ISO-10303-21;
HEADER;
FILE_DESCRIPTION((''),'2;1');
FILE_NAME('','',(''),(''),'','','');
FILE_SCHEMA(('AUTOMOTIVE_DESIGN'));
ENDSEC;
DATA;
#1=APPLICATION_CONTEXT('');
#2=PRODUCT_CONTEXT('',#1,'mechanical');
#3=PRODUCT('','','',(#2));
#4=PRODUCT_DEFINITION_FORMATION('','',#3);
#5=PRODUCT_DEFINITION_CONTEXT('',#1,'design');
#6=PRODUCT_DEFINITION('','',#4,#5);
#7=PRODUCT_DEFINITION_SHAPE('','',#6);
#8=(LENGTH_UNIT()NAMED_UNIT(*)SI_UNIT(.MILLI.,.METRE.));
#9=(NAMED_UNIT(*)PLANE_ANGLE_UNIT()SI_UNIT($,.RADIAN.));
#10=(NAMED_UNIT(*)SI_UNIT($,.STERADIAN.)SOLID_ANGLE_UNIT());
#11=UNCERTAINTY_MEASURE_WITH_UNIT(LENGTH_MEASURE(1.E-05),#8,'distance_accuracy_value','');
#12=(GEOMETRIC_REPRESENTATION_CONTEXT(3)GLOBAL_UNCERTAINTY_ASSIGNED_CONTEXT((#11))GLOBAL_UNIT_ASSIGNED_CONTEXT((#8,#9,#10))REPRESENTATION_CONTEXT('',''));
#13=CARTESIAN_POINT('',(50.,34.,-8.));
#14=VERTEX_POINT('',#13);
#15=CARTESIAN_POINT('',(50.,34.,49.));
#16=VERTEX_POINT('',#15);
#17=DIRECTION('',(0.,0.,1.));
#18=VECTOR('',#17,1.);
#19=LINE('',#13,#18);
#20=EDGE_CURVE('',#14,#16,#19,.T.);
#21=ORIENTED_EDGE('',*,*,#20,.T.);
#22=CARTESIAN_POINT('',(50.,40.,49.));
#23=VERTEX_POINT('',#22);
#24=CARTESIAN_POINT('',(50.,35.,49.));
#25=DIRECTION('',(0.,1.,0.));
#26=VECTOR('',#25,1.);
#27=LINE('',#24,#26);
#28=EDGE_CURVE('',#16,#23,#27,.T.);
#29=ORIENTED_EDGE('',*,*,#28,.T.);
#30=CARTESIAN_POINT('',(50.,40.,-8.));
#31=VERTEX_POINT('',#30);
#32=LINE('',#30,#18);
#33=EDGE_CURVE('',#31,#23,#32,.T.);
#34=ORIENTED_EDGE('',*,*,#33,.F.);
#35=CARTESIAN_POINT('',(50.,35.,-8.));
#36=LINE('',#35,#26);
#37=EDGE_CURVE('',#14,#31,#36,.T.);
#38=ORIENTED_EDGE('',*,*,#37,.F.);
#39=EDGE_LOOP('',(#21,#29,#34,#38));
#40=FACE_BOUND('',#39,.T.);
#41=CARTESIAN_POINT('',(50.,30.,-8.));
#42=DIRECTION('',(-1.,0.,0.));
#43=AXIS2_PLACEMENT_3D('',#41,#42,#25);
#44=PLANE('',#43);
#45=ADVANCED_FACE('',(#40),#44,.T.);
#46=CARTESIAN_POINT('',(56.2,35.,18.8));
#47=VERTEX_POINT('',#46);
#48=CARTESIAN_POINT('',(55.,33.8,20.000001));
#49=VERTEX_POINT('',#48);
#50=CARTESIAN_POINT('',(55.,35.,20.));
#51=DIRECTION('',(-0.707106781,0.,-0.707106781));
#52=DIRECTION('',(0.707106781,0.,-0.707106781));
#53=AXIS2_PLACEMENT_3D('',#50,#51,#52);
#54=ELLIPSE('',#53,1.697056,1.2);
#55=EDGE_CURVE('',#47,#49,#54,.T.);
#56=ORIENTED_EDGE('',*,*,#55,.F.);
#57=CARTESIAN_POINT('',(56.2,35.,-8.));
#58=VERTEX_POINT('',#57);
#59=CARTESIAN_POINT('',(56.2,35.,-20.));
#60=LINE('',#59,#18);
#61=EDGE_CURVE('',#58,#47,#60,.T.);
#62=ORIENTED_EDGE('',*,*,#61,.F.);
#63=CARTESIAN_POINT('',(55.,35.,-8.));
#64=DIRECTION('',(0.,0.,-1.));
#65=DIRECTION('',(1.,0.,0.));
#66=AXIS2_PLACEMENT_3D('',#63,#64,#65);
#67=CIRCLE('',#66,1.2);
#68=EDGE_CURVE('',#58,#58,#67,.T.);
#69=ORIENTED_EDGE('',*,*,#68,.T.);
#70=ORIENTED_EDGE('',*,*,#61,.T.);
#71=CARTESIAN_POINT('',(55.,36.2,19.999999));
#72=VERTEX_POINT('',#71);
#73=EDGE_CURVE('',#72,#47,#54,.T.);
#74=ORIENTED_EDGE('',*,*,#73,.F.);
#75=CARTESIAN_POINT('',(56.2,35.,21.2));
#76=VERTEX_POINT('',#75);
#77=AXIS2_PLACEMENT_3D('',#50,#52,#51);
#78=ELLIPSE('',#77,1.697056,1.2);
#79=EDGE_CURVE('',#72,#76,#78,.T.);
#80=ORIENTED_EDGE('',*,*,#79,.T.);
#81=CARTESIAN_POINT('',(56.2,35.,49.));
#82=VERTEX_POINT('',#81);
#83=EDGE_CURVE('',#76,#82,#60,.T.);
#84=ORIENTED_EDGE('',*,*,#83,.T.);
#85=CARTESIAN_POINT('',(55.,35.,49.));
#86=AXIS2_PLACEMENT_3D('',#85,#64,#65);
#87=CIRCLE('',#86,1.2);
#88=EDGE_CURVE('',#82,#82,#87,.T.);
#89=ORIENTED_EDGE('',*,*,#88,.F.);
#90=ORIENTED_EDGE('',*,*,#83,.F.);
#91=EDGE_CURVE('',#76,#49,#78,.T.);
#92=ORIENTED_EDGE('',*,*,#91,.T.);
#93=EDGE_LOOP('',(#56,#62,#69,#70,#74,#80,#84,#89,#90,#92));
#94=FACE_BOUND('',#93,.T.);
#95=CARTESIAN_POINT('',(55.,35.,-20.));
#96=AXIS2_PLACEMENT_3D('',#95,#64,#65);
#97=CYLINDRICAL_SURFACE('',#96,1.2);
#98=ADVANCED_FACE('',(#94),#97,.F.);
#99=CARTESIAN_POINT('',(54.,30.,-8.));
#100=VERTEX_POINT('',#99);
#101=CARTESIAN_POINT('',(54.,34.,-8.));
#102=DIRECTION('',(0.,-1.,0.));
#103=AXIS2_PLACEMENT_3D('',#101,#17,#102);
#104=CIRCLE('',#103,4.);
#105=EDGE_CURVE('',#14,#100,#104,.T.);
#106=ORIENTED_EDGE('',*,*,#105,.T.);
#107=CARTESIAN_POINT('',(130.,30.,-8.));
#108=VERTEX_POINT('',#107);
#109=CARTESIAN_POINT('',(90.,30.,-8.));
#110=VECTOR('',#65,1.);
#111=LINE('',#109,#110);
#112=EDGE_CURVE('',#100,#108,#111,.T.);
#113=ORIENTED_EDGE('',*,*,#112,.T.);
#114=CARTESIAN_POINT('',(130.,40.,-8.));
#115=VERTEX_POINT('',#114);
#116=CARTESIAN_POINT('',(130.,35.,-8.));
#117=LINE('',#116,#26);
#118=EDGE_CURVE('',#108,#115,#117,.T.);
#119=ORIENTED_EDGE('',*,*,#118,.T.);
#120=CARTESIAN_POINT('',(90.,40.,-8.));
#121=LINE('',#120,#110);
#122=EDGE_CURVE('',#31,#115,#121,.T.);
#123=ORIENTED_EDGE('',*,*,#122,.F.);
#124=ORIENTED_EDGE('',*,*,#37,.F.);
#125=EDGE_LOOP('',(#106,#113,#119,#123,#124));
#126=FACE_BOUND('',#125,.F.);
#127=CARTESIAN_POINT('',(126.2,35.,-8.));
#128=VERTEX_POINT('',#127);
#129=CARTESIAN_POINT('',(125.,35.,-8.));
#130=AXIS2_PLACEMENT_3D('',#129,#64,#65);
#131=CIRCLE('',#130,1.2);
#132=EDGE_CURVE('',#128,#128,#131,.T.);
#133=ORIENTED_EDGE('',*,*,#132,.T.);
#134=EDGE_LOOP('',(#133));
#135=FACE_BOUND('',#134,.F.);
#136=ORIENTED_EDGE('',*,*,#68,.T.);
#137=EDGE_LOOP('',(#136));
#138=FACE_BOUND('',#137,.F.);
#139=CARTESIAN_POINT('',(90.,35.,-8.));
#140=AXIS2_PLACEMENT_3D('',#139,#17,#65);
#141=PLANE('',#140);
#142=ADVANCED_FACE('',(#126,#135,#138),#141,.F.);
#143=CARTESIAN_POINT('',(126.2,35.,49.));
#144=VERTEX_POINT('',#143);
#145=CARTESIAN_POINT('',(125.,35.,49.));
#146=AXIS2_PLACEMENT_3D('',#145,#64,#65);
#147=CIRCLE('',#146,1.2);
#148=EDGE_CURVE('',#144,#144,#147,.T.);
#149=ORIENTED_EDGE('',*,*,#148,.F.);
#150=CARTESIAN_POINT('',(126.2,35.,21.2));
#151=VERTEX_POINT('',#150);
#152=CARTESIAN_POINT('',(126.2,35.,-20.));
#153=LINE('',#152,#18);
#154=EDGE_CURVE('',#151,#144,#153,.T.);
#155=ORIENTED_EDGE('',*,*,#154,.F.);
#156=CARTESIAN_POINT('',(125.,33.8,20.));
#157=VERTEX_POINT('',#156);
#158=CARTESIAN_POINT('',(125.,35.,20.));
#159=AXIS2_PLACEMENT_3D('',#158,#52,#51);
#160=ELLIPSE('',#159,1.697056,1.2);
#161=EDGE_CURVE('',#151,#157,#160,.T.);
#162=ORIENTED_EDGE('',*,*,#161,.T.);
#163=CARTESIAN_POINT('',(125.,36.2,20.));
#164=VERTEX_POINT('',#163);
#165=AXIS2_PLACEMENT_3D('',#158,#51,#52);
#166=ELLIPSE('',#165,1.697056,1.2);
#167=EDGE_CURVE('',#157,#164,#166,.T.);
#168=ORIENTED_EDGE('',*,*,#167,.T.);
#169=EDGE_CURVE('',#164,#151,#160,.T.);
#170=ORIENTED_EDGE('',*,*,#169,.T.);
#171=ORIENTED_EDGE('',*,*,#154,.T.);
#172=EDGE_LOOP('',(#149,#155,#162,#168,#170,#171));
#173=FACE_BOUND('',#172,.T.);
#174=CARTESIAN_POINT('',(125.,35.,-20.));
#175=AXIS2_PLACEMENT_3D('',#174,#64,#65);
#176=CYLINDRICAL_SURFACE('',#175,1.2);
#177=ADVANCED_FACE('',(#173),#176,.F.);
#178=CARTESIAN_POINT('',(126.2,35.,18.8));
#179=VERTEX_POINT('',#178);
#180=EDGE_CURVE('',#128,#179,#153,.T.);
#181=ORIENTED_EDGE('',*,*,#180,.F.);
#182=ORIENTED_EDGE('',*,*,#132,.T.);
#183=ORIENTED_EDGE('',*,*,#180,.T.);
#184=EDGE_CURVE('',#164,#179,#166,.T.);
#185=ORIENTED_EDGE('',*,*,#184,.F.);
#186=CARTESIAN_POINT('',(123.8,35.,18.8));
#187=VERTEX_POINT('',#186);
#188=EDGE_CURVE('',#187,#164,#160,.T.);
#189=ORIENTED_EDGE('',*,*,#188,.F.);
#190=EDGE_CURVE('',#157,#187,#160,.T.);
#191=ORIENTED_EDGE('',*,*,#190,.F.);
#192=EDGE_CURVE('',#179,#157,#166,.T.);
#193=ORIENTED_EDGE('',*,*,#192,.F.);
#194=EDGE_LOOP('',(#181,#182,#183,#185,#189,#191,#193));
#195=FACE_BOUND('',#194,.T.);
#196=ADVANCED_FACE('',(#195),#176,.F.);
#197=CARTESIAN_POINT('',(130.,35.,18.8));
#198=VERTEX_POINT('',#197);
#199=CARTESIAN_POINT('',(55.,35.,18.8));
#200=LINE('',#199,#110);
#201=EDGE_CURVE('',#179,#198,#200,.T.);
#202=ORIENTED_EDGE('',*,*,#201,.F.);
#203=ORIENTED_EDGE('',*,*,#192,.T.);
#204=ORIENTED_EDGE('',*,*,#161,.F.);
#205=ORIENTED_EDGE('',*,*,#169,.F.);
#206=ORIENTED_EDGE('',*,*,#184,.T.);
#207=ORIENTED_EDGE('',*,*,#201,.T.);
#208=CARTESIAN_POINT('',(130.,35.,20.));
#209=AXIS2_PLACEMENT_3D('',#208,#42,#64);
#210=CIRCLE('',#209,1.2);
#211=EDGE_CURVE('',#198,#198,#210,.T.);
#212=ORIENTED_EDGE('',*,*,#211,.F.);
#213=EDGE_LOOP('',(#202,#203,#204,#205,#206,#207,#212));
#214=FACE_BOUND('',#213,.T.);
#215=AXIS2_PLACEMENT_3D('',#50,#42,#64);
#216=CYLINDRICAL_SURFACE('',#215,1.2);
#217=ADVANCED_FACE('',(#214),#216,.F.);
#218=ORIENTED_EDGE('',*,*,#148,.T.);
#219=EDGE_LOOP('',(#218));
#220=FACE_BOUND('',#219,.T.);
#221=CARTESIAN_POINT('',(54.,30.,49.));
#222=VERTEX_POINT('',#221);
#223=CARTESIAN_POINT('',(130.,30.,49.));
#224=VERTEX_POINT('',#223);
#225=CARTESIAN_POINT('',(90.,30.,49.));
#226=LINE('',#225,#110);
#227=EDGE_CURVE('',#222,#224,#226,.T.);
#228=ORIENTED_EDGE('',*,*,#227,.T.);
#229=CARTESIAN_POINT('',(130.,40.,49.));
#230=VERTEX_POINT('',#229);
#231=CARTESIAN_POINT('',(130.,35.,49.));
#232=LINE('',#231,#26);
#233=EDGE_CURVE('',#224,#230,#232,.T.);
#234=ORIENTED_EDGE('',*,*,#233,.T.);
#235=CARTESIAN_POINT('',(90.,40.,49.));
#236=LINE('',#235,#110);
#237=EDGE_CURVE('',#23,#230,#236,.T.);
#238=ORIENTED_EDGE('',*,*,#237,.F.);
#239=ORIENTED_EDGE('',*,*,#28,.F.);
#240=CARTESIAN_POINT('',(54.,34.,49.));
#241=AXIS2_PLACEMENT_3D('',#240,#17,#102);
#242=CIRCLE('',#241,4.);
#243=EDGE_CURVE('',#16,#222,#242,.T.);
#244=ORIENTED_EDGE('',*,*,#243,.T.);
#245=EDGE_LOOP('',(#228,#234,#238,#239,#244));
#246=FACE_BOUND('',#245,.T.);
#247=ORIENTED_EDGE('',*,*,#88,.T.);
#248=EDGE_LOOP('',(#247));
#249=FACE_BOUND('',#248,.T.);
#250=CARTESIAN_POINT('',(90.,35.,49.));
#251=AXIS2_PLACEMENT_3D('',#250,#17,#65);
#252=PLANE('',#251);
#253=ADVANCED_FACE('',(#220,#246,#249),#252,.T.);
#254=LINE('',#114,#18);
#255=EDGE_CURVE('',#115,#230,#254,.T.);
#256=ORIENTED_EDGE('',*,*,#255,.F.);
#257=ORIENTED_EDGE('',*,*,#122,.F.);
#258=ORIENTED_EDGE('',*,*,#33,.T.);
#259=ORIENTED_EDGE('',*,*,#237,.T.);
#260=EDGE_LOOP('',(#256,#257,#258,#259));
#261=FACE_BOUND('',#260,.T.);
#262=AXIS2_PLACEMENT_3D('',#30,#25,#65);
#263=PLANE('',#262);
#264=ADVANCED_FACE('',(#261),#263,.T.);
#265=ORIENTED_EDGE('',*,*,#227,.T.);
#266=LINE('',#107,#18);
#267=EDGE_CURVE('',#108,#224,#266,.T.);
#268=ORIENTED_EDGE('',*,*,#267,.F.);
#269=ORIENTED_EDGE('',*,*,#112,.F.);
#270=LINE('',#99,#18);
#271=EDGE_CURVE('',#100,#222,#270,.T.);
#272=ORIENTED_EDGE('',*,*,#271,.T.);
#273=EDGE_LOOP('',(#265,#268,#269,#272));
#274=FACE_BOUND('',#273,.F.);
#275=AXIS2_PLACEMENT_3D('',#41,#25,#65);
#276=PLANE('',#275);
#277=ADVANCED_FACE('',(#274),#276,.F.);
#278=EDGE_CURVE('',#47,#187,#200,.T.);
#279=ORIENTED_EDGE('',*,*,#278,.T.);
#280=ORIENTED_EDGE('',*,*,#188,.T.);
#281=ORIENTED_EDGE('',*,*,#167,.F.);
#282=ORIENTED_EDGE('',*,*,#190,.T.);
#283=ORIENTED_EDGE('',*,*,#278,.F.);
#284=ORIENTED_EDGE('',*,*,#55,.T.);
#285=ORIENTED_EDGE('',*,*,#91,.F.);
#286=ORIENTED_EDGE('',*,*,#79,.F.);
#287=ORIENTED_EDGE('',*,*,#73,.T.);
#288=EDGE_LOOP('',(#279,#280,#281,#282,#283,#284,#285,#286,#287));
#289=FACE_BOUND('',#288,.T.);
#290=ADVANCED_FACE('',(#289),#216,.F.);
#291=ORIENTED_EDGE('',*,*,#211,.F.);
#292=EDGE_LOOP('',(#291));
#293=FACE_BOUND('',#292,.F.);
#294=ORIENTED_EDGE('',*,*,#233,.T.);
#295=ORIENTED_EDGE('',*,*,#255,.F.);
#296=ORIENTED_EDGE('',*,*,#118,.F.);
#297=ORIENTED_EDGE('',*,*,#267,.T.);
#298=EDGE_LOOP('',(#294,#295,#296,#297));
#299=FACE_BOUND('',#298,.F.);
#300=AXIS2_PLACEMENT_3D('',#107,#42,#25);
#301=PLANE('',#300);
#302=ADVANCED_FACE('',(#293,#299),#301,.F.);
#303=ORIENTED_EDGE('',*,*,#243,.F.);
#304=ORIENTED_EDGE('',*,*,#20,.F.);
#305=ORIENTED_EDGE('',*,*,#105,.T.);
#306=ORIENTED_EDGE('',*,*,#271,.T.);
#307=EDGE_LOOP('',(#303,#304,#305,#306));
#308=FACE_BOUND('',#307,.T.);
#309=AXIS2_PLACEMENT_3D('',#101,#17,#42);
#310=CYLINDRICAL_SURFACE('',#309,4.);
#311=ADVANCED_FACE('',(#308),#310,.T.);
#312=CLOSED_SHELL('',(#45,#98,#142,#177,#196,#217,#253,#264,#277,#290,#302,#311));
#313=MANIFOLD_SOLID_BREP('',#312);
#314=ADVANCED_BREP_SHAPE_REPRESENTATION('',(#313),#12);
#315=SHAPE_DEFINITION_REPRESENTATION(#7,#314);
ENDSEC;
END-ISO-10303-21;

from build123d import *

# Parameters (mm, degrees)
CYLINDER109_R     = 1.2
CYLINDER109_DEPTH = 100
CYLINDER111_R     = 1.2
CYLINDER111_DEPTH = 100
CYLINDER106_R     = 1.2
CYLINDER106_DEPTH = 100
BOX037_W          = 80
BOX037_H          = 10
BOX037_DEPTH      = 57
FILLET016_R       = 4


with BuildPart() as screwhole057:
    # Cylinder109 → Cylinder109 (new body)
    with BuildSketch(Plane(origin=(55, 35, -20), x_dir=(1, 0, 0), z_dir=(0, 0, 1))):
        Circle(CYLINDER109_R)
    extrude(amount=CYLINDER109_DEPTH)


with BuildPart() as screwhole059:
    # Cylinder111 → Cylinder111 (new body)
    with BuildSketch(Plane(origin=(55, 35, 20), x_dir=(0, 0, -1), z_dir=(1, 0, 0))):
        Circle(CYLINDER111_R)
    extrude(amount=CYLINDER111_DEPTH)


with BuildPart() as fusion001002012030038:
    # Cylinder106 → Cylinder106 (new body)
    with BuildSketch(Plane(origin=(125, 35, -20), x_dir=(1, 0, 0), z_dir=(0, 0, 1))):
        Circle(CYLINDER106_R)
    extrude(amount=CYLINDER106_DEPTH)

    # Fusion001002012030038: union ScrewHole057, ScrewHole059
    add(screwhole057.part)
    add(screwhole059.part)


with BuildPart() as side002:
    # Box037 → Box037 (new body)
    with BuildSketch(Plane(origin=(50, 30, -8), x_dir=(1, 0, 0), z_dir=(0, 0, 1))):
        with Locations((40, 5)):
            Rectangle(BOX037_W, BOX037_H)
    extrude(amount=BOX037_DEPTH)

    # Fillet016
    fillet016_edges = [side002.edges().sort_by_distance(p)[0] for p in [
        (50, 30, 20.5),
    ]]
    fillet(fillet016_edges, radius=FILLET016_R)

    # Cut015017007032: cut Fusion001002012030038
    add(fusion001002012030038.part, mode=Mode.SUBTRACT)


solid = side002.part
